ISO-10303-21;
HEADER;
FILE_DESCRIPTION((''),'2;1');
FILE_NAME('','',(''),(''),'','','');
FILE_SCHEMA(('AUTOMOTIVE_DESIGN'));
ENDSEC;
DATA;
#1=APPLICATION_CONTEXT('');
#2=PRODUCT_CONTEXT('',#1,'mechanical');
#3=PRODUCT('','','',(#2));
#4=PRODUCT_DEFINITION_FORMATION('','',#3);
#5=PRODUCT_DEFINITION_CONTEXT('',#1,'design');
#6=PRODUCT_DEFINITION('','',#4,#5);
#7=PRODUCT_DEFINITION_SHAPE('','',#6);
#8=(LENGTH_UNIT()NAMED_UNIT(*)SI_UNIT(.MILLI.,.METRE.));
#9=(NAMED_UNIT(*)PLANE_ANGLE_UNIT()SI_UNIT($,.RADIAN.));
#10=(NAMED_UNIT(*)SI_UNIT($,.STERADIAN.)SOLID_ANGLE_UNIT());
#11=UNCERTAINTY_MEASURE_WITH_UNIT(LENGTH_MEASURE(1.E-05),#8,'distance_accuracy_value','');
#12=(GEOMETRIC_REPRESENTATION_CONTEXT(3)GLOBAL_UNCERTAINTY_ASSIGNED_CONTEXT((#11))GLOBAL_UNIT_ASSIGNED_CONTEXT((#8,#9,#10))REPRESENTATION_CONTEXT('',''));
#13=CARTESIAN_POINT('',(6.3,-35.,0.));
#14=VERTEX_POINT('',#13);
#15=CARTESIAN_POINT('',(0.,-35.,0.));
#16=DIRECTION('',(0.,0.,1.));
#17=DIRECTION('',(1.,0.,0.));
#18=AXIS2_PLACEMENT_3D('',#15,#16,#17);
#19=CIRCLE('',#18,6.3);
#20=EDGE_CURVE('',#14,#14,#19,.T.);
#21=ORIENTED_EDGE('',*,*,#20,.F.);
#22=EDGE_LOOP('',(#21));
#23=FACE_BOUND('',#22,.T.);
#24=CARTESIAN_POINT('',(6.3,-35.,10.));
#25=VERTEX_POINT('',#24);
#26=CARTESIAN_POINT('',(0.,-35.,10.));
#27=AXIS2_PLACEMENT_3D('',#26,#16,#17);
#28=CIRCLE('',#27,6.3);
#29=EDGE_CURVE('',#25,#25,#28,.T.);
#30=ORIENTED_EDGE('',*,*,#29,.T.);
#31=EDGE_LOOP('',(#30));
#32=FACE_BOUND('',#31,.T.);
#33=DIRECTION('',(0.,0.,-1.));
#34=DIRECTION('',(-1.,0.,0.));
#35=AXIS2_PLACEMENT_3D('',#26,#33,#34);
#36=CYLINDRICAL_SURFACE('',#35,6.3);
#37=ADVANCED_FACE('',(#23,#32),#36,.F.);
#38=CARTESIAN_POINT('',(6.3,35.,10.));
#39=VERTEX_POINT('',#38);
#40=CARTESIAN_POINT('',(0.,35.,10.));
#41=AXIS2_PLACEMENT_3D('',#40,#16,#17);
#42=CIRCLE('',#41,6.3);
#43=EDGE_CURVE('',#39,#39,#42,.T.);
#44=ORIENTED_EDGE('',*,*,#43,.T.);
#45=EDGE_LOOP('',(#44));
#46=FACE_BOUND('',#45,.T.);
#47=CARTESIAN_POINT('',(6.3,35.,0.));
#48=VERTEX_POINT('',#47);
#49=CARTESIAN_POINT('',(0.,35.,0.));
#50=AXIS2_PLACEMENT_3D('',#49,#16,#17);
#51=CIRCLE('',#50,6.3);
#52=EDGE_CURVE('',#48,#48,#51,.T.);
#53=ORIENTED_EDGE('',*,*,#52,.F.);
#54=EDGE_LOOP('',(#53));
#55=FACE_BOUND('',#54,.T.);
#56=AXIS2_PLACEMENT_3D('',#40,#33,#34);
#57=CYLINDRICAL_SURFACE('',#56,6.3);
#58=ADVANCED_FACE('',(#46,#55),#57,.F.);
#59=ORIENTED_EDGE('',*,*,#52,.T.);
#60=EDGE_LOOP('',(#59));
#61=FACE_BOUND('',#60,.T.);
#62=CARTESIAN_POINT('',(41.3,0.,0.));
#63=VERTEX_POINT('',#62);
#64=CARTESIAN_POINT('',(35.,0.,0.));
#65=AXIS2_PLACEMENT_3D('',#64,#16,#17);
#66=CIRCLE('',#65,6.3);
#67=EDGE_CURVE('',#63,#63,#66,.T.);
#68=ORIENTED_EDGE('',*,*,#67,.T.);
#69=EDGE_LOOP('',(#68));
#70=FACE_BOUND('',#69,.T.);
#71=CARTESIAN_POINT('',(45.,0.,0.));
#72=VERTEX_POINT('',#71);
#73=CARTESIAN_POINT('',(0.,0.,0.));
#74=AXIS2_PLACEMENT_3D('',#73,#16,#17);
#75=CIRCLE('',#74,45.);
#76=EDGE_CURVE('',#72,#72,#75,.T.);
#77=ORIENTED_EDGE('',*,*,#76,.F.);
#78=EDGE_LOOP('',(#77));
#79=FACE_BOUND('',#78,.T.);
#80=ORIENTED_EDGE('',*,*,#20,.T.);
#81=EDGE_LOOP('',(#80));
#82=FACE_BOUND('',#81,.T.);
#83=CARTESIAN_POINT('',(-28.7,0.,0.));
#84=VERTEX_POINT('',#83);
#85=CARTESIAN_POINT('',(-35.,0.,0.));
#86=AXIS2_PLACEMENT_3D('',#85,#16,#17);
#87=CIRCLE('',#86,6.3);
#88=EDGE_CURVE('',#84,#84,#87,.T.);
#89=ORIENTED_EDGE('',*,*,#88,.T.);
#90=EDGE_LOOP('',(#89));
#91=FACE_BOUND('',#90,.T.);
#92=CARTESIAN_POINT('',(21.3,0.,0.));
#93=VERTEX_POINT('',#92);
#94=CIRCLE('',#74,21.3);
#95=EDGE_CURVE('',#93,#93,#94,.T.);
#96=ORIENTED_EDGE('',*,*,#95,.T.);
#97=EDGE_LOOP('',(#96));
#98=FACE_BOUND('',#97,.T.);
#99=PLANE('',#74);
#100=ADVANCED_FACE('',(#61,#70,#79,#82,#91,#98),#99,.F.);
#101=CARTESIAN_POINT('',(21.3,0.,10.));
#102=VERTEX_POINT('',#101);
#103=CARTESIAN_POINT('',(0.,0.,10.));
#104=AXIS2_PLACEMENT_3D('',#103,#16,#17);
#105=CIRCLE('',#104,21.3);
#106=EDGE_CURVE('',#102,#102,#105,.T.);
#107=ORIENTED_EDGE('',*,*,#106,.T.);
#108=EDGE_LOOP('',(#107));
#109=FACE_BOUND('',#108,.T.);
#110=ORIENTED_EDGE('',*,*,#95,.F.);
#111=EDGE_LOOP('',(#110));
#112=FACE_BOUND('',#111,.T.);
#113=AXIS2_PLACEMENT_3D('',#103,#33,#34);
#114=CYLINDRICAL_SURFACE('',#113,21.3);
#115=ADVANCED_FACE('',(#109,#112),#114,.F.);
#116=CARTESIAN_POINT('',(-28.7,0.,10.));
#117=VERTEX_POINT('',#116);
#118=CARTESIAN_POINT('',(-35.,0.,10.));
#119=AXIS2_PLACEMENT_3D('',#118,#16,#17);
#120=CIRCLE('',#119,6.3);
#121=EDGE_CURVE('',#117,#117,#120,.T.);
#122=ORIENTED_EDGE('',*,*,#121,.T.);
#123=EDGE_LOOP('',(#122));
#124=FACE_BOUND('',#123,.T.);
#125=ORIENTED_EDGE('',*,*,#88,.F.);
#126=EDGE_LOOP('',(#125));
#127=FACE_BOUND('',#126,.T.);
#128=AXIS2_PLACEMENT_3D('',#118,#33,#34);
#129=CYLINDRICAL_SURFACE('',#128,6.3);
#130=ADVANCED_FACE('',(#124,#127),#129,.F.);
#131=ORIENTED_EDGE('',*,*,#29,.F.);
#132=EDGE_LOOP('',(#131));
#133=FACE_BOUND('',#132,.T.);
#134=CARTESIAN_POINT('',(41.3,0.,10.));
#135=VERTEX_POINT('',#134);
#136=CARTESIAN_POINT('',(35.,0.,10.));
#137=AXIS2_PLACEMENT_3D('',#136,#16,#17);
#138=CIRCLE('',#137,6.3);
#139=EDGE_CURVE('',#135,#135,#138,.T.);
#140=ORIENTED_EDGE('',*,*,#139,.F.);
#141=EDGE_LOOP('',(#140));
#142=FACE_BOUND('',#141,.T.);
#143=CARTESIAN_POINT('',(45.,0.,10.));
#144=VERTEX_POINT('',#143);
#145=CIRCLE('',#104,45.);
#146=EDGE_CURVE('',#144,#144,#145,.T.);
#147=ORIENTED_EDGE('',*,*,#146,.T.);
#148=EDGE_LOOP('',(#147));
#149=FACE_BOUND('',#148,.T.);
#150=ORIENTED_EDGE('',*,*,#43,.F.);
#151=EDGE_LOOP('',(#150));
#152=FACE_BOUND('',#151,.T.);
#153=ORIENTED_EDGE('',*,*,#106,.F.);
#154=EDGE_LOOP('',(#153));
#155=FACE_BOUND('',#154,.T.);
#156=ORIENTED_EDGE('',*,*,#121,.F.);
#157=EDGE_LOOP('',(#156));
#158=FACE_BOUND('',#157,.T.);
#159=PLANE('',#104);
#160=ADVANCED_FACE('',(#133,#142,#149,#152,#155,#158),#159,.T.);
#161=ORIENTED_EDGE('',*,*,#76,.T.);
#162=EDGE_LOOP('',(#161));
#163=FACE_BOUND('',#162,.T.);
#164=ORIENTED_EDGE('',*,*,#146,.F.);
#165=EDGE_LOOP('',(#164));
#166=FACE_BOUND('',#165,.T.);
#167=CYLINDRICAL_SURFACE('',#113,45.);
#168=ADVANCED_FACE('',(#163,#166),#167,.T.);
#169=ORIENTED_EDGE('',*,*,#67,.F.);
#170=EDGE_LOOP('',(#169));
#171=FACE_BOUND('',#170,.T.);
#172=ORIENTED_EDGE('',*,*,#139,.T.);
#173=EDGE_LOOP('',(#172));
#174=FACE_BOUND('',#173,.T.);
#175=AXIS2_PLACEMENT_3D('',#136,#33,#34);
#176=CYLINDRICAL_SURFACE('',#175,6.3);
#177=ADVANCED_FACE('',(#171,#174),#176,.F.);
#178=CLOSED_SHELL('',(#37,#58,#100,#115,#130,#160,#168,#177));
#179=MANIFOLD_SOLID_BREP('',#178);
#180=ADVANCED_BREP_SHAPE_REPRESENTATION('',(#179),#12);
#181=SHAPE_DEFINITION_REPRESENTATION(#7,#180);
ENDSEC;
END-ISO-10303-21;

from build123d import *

# Parameters (mm, degrees)
SZKIC1_R                    = 45
SZKIC1_R_2                  = 6.3
SZKIC1_R_3                  = 21.3
DODANIE_WYCI_GNI_CIE3_DEPTH = 10


with BuildPart() as part:
    # Szkic1 → Dodanie-wyciągnięcie3 (new body)
    with BuildSketch(Plane.XY):
        Circle(SZKIC1_R)
        with Locations((0, 35)):
            Circle(SZKIC1_R_2, mode=Mode.SUBTRACT)
        with Locations((35, 0)):
            Circle(SZKIC1_R_2, mode=Mode.SUBTRACT)
        with Locations((0, -35)):
            Circle(SZKIC1_R_2, mode=Mode.SUBTRACT)
        with Locations((-35, 0)):
            Circle(SZKIC1_R_2, mode=Mode.SUBTRACT)
        Circle(SZKIC1_R_3, mode=Mode.SUBTRACT)
    extrude(amount=DODANIE_WYCI_GNI_CIE3_DEPTH)


solid = part.part
